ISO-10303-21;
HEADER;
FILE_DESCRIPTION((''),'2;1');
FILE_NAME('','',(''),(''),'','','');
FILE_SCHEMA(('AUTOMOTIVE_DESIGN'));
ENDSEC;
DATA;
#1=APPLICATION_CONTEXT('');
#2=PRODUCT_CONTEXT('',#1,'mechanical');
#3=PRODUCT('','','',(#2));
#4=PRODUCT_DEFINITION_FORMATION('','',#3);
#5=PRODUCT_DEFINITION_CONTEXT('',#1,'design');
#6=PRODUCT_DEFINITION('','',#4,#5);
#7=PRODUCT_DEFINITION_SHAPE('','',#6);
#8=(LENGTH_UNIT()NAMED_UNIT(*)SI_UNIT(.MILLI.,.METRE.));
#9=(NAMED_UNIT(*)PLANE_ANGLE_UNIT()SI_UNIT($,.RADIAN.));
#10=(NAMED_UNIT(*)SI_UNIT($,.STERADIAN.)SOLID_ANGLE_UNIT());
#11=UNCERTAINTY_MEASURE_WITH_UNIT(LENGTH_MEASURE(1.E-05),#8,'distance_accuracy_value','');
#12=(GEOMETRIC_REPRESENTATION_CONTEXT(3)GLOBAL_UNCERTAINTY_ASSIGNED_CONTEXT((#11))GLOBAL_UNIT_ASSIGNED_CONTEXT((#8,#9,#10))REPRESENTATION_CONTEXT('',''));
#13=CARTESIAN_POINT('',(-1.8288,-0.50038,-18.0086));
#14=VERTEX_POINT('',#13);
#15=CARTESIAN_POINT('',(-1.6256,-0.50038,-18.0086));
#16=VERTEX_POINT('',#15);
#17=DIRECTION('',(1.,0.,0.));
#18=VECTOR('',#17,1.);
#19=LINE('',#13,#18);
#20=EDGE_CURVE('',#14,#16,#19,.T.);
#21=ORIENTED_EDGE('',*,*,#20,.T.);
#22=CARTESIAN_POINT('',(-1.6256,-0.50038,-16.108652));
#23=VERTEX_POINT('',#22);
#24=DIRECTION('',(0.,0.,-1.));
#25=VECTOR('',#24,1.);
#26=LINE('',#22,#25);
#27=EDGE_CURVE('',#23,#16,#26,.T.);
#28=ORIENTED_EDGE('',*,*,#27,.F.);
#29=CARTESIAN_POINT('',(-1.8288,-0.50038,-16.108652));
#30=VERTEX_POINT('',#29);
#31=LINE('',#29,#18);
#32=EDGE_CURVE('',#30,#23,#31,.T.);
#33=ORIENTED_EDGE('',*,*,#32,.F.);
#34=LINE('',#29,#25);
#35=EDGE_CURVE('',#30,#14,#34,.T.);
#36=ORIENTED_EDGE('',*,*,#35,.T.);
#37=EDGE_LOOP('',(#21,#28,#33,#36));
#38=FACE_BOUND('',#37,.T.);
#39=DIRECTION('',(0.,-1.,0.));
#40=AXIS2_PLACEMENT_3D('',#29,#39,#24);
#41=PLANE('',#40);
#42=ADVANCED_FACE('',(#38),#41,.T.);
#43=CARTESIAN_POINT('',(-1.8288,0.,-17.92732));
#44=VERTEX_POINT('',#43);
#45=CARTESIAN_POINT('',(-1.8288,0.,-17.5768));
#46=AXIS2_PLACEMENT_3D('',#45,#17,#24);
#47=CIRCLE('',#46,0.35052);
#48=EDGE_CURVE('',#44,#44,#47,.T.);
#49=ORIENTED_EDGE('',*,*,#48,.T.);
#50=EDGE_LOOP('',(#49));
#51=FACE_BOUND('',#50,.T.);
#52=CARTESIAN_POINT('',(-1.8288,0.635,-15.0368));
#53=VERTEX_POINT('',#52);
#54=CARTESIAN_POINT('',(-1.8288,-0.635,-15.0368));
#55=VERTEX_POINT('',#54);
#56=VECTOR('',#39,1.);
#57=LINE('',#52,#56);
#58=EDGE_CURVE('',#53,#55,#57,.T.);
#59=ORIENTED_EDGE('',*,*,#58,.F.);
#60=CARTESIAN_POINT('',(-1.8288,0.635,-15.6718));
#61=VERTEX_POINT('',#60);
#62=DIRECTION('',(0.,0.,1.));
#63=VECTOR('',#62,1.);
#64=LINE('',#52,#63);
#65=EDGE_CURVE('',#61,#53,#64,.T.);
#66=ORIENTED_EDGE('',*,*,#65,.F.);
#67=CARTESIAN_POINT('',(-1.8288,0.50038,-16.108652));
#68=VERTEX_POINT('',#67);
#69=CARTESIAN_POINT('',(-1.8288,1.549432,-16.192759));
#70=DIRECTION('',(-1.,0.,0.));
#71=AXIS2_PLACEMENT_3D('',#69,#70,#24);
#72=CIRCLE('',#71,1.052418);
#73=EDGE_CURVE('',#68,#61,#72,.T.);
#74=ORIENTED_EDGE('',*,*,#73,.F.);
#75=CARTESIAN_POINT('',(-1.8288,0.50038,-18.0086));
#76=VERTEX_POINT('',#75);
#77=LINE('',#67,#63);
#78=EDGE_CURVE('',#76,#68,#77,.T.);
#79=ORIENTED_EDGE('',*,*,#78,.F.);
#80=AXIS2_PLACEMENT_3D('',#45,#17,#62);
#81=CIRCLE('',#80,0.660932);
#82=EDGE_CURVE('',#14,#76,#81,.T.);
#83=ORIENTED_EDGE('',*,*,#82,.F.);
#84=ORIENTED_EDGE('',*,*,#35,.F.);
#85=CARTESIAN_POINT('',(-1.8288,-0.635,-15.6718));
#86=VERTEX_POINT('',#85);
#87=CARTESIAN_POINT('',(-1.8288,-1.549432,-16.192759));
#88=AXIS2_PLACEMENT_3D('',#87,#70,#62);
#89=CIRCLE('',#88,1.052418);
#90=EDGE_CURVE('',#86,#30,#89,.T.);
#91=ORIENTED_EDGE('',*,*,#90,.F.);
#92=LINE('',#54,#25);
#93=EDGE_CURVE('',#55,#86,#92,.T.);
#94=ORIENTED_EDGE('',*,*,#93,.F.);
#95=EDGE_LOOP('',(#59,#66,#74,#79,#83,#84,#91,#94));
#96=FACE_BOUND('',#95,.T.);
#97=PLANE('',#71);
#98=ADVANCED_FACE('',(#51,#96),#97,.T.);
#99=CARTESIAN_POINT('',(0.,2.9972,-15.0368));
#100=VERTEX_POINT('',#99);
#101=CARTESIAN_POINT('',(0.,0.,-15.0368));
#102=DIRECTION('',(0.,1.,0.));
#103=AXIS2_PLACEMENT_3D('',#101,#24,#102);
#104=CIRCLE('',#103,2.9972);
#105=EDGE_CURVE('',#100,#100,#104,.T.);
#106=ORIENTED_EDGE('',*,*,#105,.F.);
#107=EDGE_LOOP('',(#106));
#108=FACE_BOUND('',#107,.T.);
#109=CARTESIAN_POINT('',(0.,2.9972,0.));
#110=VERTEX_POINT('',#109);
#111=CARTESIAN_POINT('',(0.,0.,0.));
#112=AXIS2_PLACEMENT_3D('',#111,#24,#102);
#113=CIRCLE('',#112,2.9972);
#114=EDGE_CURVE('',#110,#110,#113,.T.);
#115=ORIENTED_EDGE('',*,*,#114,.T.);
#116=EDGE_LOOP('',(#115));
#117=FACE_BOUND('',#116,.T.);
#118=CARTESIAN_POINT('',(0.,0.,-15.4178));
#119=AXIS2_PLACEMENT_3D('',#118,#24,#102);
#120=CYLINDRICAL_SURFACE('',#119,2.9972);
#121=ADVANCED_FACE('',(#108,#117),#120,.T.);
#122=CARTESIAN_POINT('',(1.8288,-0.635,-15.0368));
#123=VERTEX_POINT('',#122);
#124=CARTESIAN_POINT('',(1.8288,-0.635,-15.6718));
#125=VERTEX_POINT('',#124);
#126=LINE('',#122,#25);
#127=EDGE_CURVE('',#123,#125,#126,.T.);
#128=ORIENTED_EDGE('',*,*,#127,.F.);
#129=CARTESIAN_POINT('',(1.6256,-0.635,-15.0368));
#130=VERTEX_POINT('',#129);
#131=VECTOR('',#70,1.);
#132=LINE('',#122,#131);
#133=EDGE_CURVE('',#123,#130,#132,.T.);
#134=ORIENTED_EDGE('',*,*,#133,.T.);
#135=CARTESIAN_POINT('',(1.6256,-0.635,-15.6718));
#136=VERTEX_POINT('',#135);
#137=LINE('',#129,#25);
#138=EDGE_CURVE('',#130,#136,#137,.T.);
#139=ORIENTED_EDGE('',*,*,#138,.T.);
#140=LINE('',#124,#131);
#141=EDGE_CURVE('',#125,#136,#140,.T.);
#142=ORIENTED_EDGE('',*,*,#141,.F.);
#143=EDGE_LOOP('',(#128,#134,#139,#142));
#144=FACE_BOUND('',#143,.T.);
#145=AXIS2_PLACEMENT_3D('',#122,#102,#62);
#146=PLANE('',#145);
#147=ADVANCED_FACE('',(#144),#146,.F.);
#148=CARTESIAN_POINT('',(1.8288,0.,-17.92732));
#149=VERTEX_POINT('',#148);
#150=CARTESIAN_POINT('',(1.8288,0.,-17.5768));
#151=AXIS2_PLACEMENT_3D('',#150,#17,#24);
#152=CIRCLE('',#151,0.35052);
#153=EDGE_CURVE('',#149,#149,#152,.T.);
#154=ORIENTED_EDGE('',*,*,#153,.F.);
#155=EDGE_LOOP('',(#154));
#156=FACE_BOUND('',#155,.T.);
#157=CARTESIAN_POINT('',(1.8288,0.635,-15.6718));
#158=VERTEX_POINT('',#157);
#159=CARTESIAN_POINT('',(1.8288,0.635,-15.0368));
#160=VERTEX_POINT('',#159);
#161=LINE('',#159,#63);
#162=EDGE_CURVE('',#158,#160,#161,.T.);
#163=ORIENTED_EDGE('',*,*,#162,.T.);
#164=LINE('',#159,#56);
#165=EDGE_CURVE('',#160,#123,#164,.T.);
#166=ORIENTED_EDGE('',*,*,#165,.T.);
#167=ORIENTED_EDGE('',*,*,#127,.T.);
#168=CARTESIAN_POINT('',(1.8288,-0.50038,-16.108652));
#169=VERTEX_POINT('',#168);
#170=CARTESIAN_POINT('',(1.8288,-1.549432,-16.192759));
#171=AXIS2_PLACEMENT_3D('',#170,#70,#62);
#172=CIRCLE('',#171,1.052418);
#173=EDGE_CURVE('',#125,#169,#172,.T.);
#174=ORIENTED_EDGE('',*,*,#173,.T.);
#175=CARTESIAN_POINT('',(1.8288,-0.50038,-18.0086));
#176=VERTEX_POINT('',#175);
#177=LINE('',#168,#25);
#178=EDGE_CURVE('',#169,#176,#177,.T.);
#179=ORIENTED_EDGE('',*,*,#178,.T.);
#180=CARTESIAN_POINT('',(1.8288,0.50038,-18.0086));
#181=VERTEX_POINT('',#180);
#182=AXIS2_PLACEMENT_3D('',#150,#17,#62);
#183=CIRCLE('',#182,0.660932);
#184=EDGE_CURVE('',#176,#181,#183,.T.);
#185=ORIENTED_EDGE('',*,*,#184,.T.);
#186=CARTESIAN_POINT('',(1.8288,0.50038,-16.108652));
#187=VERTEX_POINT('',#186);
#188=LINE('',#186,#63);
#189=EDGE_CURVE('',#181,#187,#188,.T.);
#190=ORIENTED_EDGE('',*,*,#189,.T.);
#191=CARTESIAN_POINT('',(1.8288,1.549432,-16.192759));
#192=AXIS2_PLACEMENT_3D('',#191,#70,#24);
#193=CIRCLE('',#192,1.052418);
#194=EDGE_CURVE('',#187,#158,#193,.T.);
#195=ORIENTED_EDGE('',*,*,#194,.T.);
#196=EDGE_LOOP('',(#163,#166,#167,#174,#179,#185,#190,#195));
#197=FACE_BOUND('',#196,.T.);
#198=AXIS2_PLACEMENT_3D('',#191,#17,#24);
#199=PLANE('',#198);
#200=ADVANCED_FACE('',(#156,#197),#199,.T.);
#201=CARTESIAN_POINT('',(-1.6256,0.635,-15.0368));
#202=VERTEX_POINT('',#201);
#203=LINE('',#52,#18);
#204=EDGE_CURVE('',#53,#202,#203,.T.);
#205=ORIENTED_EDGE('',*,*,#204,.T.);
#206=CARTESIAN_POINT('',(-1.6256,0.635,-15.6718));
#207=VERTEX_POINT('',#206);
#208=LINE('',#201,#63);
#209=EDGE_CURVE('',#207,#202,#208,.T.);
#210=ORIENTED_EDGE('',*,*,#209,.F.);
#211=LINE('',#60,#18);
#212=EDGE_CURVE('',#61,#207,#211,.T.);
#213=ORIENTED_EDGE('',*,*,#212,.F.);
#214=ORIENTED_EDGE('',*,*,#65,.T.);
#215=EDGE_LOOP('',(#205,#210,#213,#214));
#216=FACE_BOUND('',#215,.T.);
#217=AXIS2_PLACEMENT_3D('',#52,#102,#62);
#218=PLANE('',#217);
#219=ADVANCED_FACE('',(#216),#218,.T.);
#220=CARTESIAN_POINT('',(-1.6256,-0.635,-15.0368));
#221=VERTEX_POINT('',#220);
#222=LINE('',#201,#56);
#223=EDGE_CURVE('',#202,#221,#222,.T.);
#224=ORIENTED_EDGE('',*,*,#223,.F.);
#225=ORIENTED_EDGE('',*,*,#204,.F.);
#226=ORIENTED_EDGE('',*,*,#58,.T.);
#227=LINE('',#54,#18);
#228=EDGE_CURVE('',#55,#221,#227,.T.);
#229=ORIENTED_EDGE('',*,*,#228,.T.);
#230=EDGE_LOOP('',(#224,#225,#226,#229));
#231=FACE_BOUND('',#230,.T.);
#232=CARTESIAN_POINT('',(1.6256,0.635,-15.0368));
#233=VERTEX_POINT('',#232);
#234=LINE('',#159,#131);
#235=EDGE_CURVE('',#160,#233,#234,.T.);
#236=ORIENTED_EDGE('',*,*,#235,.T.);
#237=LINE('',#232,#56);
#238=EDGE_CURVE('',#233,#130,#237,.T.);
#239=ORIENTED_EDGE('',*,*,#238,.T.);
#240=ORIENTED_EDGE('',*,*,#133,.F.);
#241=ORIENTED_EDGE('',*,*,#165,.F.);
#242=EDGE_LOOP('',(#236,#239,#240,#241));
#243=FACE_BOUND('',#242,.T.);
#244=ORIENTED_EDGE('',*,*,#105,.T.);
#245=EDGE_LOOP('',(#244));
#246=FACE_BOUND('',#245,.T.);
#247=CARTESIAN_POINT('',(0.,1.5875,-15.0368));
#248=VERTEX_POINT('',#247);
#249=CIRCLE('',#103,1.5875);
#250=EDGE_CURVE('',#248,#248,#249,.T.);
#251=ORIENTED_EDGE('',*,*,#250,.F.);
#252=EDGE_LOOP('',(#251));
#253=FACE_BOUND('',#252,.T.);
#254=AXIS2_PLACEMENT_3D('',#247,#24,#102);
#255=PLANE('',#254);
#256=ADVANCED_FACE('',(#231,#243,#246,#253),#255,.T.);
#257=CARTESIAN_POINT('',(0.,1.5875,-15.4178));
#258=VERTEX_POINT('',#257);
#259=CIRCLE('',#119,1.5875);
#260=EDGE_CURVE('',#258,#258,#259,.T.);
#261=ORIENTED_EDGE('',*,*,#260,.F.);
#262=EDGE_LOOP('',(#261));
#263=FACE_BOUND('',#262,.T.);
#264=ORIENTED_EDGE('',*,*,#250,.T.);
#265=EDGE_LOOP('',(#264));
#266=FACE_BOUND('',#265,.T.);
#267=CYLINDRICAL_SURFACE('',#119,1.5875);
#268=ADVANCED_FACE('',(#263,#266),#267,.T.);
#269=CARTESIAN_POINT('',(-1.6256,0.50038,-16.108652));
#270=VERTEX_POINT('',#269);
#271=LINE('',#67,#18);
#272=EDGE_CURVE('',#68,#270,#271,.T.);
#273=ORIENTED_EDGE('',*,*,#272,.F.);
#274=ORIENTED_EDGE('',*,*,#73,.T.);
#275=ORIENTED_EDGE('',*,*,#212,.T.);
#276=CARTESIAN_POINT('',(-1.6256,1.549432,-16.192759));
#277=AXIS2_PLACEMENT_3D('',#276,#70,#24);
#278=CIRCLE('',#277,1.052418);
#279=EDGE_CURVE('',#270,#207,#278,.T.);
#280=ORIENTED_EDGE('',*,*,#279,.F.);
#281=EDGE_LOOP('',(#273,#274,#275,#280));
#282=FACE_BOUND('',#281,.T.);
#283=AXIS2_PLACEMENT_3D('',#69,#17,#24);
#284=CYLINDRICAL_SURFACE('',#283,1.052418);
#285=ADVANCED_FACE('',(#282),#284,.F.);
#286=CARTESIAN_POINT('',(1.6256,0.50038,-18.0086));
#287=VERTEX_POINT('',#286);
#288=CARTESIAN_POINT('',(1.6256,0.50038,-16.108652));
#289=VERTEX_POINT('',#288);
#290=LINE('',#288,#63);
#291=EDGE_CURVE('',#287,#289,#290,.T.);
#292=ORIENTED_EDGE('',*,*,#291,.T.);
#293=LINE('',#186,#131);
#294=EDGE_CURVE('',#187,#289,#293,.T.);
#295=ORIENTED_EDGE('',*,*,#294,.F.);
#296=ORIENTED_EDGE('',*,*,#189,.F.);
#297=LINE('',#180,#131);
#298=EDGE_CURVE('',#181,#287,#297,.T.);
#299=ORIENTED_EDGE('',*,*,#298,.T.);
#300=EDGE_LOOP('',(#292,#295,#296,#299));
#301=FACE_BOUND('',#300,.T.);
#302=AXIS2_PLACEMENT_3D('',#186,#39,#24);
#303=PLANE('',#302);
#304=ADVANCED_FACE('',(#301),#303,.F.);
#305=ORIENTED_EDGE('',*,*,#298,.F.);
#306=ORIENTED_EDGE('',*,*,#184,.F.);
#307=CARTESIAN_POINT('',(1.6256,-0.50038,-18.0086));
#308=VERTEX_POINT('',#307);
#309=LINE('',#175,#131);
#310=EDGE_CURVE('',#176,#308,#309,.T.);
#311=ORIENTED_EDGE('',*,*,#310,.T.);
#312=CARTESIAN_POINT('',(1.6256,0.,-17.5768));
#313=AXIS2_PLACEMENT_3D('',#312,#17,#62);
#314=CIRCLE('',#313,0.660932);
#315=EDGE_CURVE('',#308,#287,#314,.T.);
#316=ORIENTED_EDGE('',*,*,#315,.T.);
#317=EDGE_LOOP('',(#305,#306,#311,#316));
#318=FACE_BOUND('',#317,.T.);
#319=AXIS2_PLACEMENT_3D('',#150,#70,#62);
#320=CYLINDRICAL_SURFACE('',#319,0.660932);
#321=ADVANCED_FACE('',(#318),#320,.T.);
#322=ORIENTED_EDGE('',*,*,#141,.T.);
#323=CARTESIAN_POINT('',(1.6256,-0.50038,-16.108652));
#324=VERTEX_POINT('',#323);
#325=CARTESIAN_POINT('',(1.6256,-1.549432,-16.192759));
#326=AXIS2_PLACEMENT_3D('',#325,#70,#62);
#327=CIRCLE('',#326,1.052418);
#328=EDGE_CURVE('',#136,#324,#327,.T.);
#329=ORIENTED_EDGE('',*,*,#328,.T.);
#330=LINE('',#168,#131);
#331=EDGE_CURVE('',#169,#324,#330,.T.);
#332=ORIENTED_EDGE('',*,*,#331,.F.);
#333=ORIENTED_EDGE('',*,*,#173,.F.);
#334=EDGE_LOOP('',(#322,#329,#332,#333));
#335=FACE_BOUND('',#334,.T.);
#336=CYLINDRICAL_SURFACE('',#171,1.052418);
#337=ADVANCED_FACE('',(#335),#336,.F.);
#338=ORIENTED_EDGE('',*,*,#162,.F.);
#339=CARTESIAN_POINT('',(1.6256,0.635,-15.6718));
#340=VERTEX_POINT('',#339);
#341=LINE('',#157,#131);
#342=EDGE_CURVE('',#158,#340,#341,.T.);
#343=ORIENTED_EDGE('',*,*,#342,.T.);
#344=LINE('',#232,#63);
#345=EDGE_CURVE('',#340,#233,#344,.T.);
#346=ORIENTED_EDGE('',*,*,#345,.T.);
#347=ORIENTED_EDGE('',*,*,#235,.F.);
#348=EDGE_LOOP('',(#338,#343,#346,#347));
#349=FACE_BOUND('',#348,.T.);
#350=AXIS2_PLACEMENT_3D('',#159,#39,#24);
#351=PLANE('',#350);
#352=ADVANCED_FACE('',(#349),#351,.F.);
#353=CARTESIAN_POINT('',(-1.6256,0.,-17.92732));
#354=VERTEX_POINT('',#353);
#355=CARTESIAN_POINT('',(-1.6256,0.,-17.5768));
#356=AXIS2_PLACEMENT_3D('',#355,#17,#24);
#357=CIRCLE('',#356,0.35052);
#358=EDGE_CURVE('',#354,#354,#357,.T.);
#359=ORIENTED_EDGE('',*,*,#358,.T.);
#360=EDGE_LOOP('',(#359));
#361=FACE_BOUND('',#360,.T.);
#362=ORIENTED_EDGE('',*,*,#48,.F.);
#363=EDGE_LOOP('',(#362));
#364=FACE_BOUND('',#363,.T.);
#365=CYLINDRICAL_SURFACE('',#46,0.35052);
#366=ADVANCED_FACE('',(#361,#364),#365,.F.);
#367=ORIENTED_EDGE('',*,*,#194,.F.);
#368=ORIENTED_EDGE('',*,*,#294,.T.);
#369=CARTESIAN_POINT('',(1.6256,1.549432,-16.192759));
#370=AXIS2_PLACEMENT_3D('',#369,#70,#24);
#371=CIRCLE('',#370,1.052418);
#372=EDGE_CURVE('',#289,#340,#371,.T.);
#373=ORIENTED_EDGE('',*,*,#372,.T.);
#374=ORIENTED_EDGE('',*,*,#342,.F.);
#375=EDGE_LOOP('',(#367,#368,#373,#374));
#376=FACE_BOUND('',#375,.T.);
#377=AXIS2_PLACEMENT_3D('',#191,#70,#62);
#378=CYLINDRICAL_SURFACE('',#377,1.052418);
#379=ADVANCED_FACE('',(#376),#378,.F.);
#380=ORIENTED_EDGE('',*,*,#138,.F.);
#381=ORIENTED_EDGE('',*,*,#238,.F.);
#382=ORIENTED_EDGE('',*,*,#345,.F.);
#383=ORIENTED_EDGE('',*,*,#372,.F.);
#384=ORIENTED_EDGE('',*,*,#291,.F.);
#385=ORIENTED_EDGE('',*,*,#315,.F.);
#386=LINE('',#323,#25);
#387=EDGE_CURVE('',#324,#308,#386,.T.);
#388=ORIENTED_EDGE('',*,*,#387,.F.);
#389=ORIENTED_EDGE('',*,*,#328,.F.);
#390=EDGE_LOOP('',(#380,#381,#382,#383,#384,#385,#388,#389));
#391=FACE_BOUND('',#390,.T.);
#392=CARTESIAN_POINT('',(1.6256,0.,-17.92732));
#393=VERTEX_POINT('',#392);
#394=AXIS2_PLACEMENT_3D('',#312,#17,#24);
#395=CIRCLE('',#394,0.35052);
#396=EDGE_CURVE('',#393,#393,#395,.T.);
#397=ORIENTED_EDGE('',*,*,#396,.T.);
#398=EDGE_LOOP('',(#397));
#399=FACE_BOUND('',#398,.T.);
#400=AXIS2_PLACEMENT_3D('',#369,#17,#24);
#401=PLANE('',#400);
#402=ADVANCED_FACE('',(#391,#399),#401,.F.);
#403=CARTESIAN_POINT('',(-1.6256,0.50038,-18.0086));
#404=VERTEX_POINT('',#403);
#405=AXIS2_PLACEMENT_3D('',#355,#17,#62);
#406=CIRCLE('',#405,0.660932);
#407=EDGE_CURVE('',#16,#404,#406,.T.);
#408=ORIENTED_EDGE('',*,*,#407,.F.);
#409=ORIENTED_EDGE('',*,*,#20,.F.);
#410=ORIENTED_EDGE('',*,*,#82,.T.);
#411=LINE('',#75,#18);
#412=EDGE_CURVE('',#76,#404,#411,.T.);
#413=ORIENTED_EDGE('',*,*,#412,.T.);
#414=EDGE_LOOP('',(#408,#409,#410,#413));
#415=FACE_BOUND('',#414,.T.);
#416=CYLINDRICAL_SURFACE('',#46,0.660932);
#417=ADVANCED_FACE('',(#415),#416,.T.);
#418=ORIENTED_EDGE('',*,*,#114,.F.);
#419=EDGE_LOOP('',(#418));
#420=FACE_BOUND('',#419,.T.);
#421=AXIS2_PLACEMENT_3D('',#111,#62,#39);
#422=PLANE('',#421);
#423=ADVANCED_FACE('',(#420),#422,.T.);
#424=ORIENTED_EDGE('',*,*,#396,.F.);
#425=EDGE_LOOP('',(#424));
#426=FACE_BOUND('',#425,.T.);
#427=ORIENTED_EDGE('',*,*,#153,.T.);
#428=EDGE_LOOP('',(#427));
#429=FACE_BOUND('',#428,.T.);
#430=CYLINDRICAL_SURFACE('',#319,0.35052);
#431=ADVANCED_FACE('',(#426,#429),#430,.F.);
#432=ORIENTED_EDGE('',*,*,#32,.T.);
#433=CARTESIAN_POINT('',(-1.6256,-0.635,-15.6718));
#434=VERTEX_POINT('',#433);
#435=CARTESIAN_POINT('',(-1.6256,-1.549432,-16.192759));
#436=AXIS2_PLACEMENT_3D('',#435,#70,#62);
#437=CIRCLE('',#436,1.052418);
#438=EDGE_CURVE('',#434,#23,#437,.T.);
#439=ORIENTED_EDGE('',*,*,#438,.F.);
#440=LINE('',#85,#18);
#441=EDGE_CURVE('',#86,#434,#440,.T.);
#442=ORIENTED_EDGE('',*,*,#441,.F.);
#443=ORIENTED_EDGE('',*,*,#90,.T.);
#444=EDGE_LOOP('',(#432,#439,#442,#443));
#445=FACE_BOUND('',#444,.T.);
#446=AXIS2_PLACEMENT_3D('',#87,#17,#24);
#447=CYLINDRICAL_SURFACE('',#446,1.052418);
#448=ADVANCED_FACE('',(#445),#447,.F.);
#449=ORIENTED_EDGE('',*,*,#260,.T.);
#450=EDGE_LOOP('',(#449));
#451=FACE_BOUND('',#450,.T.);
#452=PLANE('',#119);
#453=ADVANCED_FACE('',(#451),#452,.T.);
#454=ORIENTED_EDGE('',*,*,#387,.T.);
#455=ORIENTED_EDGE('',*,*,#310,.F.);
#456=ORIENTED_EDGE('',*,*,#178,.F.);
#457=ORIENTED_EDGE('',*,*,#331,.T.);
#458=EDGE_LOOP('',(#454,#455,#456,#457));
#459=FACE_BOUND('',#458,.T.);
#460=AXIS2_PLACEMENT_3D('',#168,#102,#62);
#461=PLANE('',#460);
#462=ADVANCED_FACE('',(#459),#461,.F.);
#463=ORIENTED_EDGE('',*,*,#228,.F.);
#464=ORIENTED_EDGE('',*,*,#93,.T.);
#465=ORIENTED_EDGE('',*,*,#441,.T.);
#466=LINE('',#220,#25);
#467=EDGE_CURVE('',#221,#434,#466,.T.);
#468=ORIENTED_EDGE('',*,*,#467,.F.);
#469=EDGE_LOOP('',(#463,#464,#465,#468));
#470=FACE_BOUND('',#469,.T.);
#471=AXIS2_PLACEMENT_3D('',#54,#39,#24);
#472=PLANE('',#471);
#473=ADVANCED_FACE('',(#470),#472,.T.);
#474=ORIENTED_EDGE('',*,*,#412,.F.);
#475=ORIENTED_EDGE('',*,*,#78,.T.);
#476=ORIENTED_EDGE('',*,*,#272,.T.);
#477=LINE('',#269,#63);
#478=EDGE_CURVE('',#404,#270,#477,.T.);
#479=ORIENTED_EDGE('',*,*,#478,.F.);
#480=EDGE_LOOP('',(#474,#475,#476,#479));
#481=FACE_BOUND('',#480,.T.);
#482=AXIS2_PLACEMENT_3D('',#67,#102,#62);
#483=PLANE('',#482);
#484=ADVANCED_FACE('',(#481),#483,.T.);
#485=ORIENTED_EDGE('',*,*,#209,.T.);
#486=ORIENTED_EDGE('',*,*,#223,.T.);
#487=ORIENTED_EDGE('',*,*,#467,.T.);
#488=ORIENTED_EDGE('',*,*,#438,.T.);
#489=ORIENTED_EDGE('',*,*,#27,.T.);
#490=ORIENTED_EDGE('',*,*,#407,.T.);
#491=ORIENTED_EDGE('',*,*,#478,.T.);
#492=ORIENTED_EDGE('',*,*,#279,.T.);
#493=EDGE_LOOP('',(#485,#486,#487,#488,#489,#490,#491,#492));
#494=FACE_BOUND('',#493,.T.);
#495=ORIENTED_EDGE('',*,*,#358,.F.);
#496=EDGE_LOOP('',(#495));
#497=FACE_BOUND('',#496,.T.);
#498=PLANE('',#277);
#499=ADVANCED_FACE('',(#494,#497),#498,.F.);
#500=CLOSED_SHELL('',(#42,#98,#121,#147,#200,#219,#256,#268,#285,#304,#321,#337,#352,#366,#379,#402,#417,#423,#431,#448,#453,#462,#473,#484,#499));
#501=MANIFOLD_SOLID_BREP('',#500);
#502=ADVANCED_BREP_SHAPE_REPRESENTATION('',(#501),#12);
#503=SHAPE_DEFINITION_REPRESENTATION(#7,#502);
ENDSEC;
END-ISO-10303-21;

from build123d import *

# Parameters (mm, degrees)
SKETCH3_R           = 0.35052
BOSS_EXTRUDE1_DEPTH = 0.2032


with BuildPart() as part:
    # Sketch1 → Revolve1 (revolve)
    with BuildSketch(Plane(origin=(0, 0, 0), x_dir=(0, 0, -1), z_dir=(1, 0, 0))):
        Polygon((0, 0), (0, 2.9972), (15.0368, 2.9972), (15.0368, 1.5875), (15.4178, 1.5875), (15.4178, 0), align=None)
    revolve(axis=Axis((0, 0, -15.4178), (0, 0, 1)))

    # Sketch3 → Boss-Extrude1 (add)
    with BuildSketch(Plane(origin=(1.6256, 0, 0), x_dir=(0, 0, -1), z_dir=(1, 0, 0))):
        with BuildLine():
            Line((15.0368, 0.635), (15.0368, -0.635))
            Line((15.0368, -0.635), (15.6718, -0.635))
            ThreePointArc((15.6718, -0.635), (15.882828569, -0.543684888), (16.108651936, -0.50038))
            Line((16.108651936, -0.50038), (18.0086, -0.50038))
            ThreePointArc((18.0086, -0.50038), (18.237732209, 0), (18.0086, 0.50038))
            Line((18.0086, 0.50038), (16.108651936, 0.50038))
            ThreePointArc((16.108651936, 0.50038), (15.882828569, 0.543684888), (15.6718, 0.635))
            Line((15.6718, 0.635), (15.0368, 0.635))
        make_face()
        with Locations((17.5768, 0)):
            Circle(SKETCH3_R, mode=Mode.SUBTRACT)
    boss_extrude1 = extrude(amount=BOSS_EXTRUDE1_DEPTH)

    # Mirror1: Boss-Extrude1 across plane
    add(boss_extrude1.mirror(Plane(origin=(0, 0, 0), x_dir=(0, 0, 1), z_dir=(1, 0, 0))))


solid = part.part
